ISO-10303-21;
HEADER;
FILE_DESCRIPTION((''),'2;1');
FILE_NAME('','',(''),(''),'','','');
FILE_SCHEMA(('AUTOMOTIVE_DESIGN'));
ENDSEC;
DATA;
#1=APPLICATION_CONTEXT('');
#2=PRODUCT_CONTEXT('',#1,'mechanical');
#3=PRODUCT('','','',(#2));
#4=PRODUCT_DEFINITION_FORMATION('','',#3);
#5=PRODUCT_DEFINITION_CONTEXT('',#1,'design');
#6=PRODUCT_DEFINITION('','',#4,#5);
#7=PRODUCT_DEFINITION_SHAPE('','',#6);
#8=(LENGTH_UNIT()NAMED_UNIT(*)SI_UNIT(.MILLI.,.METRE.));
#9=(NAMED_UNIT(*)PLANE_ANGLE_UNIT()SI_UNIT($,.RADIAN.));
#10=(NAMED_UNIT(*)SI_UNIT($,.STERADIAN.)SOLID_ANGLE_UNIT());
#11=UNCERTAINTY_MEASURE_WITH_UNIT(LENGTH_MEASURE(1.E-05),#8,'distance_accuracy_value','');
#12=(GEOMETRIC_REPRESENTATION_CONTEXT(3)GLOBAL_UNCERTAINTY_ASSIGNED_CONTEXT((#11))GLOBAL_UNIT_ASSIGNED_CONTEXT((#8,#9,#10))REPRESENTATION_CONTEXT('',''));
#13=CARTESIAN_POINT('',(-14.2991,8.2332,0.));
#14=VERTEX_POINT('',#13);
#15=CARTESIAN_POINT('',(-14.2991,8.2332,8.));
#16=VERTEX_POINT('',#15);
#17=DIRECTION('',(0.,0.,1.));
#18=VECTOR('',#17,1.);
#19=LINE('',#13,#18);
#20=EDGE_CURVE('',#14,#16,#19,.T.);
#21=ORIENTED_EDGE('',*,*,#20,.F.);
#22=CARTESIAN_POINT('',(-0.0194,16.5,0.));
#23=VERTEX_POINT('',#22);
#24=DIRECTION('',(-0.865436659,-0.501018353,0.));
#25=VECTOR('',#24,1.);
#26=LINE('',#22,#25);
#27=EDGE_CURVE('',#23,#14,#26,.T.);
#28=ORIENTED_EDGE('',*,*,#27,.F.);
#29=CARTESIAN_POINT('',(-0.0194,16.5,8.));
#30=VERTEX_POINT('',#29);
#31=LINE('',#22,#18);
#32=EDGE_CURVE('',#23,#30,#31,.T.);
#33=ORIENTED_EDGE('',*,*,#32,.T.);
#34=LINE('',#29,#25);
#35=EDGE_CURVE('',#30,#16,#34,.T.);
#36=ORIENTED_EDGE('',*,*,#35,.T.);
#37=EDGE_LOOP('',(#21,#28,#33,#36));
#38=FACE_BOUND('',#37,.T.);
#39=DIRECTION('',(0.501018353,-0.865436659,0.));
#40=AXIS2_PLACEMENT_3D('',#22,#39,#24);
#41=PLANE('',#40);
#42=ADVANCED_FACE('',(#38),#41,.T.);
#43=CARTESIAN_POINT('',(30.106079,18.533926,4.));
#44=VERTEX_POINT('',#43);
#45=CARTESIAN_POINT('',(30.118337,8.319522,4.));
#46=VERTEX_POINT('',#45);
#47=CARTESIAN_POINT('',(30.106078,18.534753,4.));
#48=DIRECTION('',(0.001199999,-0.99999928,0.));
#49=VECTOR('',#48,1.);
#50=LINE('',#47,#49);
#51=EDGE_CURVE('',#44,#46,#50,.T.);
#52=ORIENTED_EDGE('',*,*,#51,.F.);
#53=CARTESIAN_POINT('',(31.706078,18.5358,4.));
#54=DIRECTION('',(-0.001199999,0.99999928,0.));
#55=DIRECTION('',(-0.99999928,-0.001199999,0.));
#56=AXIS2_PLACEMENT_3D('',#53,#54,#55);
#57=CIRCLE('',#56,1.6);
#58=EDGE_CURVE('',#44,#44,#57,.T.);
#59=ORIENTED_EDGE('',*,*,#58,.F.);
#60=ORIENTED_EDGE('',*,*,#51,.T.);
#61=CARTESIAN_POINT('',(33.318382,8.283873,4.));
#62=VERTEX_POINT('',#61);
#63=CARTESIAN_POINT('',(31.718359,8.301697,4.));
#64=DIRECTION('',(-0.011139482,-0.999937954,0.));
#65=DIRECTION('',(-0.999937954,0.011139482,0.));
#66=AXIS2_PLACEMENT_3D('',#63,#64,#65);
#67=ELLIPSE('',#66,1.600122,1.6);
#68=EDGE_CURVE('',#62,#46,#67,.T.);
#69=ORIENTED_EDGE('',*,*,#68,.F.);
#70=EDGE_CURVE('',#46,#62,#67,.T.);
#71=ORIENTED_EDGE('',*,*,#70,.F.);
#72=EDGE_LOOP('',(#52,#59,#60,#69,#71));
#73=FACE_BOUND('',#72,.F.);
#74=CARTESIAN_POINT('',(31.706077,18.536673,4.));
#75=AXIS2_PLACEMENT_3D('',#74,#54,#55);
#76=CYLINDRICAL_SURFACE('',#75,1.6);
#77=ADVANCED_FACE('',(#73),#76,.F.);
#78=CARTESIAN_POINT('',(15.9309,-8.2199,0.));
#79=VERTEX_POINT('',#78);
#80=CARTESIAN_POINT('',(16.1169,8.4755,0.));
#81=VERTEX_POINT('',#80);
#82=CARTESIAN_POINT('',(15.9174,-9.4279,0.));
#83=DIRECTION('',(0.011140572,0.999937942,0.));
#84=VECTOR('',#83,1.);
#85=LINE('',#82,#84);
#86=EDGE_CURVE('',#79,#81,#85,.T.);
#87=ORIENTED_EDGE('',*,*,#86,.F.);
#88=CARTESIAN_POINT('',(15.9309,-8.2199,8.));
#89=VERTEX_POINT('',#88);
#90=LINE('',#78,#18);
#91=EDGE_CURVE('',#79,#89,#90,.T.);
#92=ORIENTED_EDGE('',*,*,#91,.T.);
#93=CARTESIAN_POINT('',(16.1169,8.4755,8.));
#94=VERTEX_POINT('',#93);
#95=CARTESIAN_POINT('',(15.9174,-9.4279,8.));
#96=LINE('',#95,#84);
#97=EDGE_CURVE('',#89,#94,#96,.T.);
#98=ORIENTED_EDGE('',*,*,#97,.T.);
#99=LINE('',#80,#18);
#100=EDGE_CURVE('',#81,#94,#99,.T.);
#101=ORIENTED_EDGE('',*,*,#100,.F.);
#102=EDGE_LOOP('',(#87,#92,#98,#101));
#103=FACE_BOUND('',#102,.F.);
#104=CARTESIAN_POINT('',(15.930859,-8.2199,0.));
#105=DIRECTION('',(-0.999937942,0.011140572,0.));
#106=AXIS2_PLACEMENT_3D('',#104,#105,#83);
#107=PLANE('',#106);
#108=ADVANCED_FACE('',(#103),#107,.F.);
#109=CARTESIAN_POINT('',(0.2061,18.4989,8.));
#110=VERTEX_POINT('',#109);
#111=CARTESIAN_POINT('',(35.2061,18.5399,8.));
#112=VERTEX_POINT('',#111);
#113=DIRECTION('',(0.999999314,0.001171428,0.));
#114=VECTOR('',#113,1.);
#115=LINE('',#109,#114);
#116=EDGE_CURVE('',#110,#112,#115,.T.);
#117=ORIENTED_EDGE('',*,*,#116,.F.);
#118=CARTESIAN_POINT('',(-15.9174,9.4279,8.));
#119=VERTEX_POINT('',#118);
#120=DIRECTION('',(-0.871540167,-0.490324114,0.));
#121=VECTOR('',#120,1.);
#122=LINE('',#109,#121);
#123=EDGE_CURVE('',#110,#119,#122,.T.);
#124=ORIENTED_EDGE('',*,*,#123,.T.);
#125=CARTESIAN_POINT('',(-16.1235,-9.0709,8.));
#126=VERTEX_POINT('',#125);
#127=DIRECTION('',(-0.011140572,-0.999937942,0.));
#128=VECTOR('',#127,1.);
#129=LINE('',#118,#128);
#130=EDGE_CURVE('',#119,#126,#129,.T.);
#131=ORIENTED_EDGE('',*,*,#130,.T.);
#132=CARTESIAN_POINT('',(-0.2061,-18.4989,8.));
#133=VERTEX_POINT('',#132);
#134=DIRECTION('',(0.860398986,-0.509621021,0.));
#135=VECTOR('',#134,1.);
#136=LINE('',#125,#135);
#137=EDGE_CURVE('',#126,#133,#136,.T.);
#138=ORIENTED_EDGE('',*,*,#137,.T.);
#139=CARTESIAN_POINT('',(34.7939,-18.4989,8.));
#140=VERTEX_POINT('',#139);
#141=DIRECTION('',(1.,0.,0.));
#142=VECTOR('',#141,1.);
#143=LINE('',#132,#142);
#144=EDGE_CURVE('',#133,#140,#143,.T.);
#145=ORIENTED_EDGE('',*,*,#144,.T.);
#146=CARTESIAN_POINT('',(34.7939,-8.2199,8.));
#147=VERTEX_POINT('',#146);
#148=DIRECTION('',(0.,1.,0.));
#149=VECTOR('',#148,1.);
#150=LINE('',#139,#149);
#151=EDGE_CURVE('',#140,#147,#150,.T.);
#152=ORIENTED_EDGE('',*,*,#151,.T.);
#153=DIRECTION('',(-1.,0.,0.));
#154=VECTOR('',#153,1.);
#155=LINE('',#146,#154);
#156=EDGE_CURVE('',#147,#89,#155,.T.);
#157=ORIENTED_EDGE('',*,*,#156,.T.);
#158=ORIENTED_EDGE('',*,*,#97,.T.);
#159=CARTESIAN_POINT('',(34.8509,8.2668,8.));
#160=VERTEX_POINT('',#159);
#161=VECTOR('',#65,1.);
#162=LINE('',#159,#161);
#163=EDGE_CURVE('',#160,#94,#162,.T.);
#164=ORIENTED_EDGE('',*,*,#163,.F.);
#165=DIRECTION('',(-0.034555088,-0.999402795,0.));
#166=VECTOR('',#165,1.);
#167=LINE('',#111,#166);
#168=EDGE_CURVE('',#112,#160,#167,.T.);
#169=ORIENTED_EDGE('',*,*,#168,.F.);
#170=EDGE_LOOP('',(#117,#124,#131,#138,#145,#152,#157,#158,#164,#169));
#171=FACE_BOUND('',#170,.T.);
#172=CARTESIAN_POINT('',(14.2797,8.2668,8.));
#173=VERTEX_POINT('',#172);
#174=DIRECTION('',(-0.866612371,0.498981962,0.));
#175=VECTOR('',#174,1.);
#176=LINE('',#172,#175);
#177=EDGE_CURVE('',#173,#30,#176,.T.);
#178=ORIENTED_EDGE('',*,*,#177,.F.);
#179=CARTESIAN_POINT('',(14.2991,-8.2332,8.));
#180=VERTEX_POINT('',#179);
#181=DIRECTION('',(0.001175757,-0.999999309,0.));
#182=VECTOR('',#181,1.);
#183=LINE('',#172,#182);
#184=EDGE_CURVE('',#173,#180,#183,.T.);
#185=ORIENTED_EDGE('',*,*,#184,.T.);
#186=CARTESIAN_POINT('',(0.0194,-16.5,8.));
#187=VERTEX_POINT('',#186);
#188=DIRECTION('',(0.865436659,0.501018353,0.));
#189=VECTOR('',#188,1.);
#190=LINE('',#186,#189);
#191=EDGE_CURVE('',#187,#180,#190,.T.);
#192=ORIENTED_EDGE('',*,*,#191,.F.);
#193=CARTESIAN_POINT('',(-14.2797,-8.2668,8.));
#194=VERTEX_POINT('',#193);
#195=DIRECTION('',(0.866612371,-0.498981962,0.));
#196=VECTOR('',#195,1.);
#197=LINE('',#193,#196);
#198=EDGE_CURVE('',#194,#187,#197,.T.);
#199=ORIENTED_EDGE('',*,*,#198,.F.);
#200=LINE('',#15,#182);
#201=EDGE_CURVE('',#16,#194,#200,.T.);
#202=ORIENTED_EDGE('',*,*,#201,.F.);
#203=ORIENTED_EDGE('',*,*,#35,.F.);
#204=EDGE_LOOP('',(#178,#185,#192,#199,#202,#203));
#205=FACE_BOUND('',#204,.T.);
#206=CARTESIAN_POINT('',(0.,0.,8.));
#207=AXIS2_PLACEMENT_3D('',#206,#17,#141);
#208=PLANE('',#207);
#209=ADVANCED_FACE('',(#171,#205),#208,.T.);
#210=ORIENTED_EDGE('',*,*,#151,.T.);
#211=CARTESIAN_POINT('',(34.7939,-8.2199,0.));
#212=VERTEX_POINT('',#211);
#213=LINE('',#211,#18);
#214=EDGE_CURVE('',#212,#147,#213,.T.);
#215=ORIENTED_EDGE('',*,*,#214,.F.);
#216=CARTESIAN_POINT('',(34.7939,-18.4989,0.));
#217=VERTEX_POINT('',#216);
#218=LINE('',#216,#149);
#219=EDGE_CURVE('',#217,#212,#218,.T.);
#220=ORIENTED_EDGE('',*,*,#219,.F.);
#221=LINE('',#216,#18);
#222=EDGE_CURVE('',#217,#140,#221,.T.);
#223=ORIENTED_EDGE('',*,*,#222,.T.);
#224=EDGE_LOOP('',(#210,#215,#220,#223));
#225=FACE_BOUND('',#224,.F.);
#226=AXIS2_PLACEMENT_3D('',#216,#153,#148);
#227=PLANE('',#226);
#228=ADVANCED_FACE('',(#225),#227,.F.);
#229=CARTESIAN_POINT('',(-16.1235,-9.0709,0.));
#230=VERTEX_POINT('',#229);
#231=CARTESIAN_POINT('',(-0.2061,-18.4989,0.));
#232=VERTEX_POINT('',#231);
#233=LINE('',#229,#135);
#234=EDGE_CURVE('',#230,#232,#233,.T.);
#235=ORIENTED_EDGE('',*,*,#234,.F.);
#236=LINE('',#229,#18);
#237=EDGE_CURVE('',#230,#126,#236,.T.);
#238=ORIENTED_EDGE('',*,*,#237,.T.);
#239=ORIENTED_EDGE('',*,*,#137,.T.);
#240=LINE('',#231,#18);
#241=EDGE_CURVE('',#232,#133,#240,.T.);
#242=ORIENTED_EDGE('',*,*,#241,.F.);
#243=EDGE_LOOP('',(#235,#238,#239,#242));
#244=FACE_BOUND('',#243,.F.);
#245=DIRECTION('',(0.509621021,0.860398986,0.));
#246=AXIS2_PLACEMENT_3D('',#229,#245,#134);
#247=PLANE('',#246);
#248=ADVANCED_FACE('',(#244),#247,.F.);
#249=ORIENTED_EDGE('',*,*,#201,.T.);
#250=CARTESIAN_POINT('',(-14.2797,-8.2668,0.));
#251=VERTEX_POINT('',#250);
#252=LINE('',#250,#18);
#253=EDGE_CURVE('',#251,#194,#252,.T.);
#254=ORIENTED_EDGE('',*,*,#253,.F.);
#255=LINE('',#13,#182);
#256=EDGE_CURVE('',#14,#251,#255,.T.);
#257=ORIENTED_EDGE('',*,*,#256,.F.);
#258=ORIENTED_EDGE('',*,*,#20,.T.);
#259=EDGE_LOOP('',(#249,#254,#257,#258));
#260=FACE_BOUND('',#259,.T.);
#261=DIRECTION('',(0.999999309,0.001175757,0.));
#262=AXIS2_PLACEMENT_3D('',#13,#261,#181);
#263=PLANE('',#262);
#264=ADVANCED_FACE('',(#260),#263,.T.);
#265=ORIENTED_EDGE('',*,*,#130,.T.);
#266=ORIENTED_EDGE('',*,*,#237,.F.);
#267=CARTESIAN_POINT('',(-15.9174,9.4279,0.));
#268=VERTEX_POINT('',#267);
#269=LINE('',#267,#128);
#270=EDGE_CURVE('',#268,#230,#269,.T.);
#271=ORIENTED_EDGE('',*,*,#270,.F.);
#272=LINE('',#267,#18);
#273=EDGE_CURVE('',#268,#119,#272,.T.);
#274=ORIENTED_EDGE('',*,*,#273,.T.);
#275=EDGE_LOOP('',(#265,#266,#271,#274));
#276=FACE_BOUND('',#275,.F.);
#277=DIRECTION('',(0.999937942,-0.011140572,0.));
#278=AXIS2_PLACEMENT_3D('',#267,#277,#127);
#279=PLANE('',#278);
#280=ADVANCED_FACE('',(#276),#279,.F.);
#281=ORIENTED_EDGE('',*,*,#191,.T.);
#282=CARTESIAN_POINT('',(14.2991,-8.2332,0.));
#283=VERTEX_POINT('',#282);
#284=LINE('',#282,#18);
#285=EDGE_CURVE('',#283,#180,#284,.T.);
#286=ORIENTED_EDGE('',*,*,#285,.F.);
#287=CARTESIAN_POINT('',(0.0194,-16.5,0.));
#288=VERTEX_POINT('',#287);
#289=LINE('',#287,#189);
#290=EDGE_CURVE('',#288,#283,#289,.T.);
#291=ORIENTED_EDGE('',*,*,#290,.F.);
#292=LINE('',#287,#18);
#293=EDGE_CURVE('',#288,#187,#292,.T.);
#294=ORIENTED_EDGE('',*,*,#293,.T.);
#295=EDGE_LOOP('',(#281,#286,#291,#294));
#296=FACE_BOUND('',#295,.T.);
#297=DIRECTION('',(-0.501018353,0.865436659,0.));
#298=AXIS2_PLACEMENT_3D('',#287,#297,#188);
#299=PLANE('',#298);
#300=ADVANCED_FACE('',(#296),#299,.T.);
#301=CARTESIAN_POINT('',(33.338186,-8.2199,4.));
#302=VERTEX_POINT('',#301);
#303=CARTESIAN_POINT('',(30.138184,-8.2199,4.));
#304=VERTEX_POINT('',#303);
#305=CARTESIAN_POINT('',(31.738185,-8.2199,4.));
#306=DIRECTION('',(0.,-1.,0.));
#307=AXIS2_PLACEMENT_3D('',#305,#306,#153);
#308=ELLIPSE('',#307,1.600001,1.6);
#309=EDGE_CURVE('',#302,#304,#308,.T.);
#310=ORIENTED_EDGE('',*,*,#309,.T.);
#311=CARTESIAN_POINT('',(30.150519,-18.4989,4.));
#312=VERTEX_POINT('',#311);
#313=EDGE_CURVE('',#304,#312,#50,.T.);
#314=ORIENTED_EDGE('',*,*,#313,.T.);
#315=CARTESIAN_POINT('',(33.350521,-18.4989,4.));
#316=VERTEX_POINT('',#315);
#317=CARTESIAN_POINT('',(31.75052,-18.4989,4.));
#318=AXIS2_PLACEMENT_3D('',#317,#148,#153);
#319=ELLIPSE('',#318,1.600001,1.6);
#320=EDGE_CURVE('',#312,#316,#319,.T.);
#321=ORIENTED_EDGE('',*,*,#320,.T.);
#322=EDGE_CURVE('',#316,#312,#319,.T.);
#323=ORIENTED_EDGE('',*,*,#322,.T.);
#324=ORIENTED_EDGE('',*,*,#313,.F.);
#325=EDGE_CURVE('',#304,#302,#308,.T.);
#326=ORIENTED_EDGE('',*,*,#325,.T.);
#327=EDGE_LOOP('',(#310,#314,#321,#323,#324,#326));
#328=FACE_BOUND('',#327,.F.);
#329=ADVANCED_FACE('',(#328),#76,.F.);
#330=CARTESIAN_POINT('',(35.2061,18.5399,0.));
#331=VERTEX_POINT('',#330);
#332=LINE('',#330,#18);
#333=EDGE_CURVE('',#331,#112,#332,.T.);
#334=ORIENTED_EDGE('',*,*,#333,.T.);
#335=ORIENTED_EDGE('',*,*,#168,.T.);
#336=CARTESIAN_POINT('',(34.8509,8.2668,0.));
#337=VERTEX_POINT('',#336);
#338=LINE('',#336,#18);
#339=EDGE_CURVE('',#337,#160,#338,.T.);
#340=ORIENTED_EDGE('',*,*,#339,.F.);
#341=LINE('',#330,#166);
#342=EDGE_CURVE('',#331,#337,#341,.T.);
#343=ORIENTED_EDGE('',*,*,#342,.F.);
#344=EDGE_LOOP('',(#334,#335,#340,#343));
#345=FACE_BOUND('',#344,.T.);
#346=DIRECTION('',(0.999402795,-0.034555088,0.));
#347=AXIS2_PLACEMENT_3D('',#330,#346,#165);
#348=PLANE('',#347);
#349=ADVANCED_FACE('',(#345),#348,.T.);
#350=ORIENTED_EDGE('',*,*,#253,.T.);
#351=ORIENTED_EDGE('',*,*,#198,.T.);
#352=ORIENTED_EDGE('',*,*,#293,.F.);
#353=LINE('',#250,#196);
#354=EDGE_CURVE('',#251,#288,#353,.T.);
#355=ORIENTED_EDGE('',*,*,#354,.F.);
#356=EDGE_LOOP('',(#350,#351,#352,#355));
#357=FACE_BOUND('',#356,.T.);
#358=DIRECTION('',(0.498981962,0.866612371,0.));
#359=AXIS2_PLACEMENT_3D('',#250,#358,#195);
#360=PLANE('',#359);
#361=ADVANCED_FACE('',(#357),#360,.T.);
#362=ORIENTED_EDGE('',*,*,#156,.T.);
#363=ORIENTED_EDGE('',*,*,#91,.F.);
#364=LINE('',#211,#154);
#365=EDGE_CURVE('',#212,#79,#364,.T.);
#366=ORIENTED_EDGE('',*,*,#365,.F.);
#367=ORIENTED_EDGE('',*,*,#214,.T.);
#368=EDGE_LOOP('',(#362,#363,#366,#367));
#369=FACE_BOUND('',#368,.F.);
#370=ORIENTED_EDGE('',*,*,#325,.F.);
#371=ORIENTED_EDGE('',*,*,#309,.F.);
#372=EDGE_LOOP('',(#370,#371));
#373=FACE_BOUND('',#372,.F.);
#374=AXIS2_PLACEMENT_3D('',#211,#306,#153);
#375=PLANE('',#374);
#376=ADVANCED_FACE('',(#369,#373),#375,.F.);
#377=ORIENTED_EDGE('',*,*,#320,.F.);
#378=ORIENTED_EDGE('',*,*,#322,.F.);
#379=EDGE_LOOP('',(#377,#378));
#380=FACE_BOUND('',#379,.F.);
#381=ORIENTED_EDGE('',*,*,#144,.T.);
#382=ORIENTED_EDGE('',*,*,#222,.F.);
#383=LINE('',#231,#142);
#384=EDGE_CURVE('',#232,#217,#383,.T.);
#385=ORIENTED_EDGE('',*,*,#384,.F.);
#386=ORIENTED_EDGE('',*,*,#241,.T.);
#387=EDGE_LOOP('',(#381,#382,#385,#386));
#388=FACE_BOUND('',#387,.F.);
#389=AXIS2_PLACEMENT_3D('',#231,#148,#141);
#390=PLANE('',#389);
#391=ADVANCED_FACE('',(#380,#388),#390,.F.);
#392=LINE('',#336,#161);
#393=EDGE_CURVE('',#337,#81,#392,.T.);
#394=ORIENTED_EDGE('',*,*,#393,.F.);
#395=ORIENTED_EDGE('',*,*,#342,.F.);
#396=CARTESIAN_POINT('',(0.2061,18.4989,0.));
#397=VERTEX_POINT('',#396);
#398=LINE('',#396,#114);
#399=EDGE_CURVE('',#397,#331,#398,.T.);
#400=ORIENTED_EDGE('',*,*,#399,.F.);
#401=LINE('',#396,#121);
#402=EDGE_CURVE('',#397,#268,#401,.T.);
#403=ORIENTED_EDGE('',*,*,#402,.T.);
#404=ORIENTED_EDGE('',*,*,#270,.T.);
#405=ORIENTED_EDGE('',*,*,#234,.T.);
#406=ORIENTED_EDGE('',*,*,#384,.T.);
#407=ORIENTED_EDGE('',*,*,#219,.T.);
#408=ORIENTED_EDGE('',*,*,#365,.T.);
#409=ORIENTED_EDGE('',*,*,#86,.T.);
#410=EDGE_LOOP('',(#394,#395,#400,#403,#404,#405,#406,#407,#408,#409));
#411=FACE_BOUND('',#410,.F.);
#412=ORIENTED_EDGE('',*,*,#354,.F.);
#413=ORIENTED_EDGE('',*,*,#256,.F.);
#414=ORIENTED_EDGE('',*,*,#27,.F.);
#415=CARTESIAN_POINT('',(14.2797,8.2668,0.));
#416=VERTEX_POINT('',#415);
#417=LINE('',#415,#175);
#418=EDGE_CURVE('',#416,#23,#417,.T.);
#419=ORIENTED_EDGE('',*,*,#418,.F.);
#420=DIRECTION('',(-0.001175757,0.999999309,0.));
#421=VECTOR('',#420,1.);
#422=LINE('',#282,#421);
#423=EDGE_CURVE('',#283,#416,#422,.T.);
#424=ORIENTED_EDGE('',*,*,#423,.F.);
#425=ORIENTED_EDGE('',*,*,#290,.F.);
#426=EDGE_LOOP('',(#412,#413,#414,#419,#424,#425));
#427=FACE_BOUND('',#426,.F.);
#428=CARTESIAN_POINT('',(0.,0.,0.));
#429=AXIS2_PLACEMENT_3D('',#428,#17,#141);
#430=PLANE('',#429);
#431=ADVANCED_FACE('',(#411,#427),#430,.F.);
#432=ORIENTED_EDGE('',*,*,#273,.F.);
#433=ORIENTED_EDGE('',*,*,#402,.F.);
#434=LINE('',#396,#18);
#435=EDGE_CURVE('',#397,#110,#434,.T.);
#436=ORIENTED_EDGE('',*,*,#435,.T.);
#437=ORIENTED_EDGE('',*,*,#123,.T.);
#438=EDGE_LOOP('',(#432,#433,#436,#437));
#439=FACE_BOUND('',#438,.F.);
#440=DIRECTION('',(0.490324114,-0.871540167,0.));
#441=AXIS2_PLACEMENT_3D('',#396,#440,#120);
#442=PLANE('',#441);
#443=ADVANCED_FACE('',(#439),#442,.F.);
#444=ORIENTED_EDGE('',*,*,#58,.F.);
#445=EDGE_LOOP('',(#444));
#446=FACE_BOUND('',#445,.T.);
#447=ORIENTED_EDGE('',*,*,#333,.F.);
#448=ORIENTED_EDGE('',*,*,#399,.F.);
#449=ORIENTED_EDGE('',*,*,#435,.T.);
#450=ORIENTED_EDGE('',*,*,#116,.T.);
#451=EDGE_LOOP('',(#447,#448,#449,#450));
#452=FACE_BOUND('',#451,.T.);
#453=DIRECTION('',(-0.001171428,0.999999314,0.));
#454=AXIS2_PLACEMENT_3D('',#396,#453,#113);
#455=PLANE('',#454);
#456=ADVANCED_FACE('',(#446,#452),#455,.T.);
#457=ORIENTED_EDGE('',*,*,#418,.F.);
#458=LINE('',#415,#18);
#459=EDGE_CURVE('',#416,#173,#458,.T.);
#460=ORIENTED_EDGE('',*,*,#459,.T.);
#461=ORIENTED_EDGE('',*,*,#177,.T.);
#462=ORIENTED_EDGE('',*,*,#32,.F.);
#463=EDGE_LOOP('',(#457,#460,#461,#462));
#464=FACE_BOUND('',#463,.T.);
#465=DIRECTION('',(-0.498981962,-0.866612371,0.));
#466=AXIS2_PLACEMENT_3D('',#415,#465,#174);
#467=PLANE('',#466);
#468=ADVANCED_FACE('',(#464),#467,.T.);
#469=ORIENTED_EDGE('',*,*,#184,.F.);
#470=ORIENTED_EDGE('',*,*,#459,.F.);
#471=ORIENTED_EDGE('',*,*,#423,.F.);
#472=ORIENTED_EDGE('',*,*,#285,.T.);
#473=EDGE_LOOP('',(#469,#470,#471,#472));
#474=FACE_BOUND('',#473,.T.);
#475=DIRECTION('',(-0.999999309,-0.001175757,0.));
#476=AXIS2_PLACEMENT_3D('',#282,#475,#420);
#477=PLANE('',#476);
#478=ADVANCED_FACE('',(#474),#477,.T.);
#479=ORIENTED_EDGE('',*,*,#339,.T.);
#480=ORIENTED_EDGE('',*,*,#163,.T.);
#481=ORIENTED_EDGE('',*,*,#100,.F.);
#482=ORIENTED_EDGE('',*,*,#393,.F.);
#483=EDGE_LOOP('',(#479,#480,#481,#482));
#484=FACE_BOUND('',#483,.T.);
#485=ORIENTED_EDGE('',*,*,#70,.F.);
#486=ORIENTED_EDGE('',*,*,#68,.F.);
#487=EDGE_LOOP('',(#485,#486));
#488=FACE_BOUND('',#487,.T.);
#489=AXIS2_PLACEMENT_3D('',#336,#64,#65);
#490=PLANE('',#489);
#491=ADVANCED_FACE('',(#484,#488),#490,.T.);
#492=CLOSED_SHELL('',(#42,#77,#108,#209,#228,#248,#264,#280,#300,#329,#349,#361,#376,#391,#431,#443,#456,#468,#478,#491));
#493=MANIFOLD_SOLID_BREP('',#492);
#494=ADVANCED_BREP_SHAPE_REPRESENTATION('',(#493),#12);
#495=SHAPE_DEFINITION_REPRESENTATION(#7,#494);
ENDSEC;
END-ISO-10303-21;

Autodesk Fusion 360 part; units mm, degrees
sketch "Sketch1" plane through (0, 0, 0) normal (0, 0, 1) x (1, 0, 0)
  line L0 (-0.0194, 16.5) -> (-14.2991, 8.2332)
  line L1 (-14.2991, 8.2332) -> (-14.2797, -8.2668)
  line L2 (-14.2797, -8.2668) -> (0.0194, -16.5)
  line L3 (0.0194, -16.5) -> (14.2991, -8.2332)
  line L4 (14.2991, -8.2332) -> (14.2797, 8.2668)
  line L5 (14.2797, 8.2668) -> (-0.0194, 16.5)
  line L6 (0.2061, 18.4989) -> (-15.9174, 9.4279)
  line L7 (-15.9174, 9.4279) -> (-16.1235, -9.0709)
  line L8 (-16.1235, -9.0709) -> (-0.2061, -18.4989)
  line L9 (-0.2061, -18.4989) -> (15.9174, -9.4279)
  line L10 (15.9174, -9.4279) -> (16.1235, 9.0709)
  line L11 (16.1235, 9.0709) -> (0.2061, 18.4989)
  line L12 (0.2061, 18.4989) -> (35.2061, 18.5399)
  line L13 (35.2061, 18.5399) -> (34.8509, 8.2668)
  line L14 (34.8509, 8.2668) -> (16.1169, 8.4755)
  line L15 (0, 0) -> (14.2894, 0.0168)
  line L16 (-0.2061, -18.4989) -> (34.7939, -18.4989)
  line L17 (34.7939, -18.4989) -> (34.7939, -8.2199)
  line L18 (34.7939, -8.2199) -> (15.9309, -8.2199)
  dimension "d3" = 16.5
  dimension "d4" = 18.5
  dimension "d5" = 35
  dimension "d6" = 35
  dimension "d7" = 10.279
extrude "Extrude1" add sketch "Sketch1" along normal blind 8
sketch "Sketch2" plane through (-0.0217, 18.4986, 0) normal (-0.0012, 1, 0) x (-1, -0.0012, 0)
  line L0 (-35.2278, 0) -> (-0.2278, 0)
  line L1 (-0.2278, 0) -> (-0.2278, 8)
  line L2 (-0.2278, 8) -> (-35.2278, 8)
  line L3 (-35.2278, 8) -> (-35.2278, 0)
  line L4 (-35.2278, 4) -> (-31.7278, 4)
  circle A0 centre (-31.7278, 4) radius 1.6
  dimension "d10" = 3.5
  dimension "d11" = 3.2
extrude "Extrude2" cut sketch "Sketch2" against normal blind 120 contours A0
